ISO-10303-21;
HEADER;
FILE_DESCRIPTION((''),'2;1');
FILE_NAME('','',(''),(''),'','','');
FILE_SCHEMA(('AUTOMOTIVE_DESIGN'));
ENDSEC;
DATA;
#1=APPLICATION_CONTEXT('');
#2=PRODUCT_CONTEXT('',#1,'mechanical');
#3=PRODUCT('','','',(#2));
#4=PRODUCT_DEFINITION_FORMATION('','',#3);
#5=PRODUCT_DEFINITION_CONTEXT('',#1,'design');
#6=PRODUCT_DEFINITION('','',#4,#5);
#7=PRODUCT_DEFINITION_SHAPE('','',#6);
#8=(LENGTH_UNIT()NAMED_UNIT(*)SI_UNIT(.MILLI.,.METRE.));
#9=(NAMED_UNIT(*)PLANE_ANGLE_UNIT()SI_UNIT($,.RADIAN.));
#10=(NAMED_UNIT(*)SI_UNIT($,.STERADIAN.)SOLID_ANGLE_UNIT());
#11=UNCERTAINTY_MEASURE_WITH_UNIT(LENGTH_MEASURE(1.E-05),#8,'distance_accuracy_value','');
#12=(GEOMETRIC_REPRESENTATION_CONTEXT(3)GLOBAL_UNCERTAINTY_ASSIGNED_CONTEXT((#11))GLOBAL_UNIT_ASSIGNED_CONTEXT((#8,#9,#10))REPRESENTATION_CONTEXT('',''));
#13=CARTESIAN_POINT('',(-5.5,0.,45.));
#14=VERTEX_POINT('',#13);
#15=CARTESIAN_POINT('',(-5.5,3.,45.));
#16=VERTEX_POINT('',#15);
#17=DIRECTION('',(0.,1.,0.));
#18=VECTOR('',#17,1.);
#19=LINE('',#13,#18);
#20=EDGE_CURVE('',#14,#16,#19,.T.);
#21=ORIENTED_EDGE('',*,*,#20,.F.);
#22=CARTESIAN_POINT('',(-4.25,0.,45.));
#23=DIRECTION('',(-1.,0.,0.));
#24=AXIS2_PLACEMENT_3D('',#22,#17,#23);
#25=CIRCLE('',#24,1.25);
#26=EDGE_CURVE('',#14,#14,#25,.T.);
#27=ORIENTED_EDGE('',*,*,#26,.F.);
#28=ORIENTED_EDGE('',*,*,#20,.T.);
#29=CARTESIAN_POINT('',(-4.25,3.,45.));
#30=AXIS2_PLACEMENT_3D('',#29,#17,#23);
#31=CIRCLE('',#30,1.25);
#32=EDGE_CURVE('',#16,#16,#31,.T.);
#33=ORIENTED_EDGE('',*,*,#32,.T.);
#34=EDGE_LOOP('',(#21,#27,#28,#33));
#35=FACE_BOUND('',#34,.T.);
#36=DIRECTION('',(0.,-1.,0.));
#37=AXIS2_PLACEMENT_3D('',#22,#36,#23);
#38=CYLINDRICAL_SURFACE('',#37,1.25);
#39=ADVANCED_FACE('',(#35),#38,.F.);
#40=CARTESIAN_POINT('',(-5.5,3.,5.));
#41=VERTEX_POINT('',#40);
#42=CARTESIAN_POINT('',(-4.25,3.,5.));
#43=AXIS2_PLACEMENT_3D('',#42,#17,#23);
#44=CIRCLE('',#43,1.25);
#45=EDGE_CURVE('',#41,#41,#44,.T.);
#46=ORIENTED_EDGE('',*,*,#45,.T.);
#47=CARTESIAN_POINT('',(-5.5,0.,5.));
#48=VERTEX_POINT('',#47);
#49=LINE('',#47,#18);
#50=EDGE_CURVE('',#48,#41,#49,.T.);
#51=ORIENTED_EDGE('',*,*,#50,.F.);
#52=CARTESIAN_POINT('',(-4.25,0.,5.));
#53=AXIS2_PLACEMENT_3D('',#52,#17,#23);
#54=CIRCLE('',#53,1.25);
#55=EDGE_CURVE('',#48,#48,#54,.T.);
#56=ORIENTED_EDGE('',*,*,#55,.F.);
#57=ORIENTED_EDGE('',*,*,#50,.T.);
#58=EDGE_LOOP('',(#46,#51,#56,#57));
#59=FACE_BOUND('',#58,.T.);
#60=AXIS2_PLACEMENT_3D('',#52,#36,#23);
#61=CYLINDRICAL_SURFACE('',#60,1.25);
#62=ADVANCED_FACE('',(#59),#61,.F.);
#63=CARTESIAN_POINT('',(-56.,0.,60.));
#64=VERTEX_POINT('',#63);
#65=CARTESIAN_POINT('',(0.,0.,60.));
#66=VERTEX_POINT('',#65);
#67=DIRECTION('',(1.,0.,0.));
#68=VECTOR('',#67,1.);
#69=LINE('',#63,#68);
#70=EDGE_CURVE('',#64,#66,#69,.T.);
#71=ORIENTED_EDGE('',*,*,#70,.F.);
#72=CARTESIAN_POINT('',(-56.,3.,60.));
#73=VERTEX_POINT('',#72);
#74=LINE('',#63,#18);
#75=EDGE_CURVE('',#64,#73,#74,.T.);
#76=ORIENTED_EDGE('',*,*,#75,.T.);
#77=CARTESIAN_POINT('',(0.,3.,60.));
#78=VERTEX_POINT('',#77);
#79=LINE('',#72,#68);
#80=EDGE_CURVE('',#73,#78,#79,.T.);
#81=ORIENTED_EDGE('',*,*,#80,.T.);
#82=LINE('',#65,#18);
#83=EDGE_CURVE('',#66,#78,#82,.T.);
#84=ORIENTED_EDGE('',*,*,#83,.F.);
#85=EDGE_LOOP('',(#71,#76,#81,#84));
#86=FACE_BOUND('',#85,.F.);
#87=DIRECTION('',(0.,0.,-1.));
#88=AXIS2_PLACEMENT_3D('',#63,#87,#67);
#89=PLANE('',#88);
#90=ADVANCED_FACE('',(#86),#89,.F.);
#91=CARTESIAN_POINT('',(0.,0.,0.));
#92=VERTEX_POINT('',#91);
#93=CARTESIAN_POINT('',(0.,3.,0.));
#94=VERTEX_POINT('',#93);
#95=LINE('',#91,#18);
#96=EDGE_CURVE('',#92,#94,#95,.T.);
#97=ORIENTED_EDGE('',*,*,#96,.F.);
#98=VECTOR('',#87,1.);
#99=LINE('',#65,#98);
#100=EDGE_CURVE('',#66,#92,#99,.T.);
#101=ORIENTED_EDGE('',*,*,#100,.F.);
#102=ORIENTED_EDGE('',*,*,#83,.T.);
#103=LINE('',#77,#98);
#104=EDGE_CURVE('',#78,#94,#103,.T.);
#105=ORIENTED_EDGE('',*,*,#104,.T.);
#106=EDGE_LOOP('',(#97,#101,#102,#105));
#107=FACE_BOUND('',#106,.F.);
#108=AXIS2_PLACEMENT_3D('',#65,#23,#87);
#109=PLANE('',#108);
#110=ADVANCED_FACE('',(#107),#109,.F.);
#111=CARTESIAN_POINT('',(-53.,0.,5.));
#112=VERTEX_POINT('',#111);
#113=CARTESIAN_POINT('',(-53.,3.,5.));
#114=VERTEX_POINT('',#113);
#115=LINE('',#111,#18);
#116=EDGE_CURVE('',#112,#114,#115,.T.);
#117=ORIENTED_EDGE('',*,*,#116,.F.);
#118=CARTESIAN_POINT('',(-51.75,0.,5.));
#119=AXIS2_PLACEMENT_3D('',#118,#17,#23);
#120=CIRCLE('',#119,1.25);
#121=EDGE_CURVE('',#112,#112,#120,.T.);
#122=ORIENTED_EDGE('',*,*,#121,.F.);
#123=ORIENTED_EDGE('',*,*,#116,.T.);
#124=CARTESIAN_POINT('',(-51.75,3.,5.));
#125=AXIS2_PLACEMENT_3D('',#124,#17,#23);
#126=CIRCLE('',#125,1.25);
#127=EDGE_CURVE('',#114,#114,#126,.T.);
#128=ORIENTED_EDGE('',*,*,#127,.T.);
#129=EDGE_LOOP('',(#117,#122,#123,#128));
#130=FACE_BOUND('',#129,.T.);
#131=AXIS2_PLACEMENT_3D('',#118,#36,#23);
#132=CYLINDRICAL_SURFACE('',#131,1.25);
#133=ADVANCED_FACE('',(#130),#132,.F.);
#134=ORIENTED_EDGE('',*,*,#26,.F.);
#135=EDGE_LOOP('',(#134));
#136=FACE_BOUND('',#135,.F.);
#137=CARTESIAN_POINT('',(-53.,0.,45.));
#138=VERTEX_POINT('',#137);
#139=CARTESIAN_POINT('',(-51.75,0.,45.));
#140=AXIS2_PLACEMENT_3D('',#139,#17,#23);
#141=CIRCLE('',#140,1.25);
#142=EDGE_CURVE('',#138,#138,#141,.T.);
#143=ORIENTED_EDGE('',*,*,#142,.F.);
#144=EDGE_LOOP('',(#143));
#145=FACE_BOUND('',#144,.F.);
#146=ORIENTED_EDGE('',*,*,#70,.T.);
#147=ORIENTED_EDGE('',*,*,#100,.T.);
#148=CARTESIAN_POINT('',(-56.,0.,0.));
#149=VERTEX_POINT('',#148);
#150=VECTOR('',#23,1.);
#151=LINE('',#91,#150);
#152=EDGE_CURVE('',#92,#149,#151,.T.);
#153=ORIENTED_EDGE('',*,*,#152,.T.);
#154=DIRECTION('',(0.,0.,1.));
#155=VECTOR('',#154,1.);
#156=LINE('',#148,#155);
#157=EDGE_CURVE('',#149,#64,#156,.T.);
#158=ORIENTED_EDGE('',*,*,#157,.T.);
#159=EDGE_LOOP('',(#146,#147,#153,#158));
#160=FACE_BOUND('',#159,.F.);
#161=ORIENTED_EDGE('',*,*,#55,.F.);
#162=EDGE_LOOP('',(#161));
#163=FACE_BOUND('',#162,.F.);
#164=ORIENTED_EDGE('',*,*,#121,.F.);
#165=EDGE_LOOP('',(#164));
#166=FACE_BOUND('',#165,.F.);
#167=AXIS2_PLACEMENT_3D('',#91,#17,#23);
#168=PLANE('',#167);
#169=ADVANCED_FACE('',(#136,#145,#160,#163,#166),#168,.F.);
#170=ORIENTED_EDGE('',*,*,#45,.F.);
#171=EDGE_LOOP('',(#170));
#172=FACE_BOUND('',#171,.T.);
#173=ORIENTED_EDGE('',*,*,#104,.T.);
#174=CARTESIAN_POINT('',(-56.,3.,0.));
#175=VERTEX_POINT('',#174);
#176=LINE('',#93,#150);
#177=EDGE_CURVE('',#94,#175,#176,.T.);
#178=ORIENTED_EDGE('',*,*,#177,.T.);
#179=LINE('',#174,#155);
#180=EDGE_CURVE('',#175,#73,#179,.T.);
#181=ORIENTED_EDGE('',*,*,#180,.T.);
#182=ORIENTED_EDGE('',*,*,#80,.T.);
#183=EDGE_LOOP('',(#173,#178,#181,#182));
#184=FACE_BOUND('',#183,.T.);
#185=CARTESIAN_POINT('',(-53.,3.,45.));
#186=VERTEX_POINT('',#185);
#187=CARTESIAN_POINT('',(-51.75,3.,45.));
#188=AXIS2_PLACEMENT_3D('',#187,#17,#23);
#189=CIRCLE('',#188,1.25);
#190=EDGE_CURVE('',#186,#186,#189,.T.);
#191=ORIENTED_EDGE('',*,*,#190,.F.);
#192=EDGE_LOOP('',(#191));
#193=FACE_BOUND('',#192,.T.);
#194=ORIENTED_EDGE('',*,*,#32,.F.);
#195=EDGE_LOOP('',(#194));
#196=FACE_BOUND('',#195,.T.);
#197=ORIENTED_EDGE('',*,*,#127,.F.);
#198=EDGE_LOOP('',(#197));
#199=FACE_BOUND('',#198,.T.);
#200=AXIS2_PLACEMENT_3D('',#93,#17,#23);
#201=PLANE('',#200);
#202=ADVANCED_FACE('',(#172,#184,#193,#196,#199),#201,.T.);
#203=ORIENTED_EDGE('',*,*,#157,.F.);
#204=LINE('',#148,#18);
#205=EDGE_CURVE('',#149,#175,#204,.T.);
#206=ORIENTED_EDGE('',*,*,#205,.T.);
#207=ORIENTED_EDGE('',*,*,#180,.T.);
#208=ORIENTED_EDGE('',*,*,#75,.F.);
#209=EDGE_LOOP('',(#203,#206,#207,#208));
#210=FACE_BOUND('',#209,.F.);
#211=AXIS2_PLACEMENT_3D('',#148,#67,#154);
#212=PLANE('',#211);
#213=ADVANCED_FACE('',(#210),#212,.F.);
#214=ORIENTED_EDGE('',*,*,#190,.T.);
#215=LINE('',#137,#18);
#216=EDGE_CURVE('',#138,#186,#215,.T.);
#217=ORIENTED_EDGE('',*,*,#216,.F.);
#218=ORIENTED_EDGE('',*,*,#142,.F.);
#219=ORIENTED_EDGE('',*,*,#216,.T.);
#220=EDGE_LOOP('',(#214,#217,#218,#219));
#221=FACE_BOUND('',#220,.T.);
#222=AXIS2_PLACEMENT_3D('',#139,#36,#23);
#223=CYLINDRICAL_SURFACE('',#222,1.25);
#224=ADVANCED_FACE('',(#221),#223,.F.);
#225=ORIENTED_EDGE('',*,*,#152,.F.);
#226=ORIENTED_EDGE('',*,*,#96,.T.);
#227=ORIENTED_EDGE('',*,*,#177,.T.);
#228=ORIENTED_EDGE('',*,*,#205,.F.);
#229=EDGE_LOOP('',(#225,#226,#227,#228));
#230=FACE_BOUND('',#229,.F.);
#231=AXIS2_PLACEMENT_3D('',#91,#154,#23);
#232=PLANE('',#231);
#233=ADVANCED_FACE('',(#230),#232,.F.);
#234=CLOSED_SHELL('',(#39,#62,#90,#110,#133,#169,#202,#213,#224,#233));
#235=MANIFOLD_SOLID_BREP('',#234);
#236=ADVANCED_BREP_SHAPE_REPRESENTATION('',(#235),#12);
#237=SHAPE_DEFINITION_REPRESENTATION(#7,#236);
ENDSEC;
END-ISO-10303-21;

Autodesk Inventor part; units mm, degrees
ref_plane "YZ Plane" through (0, 0, 0) normal (1, 0, 0) x (0, 1, 0)
ref_plane "XZ Plane" through (0, 0, 0) normal (0, 1, 0) x (-1, 0, 0)
ref_plane "XY Plane" through (0, 0, 0) normal (0, 0, 1) x (1, 0, 0)
sketch "Sketch1" plane through (0, 0, 0) normal (0, 1, 0) x (-1, 0, 0)
  line L0 (0, 0) -> (56, 0)
  line L1 (56, 0) -> (56, 60)
  line L2 (56, 60) -> (0, 60)
  line L3 (0, 60) -> (0, 0)
  circle A0 centre (4.25, 5) radius 1.25
  circle A1 centre (4.25, 45) radius 1.25
  line L4 (28, 60) -> (28, 0) construction
  circle A2 centre (51.75, 5) radius 1.25
  circle A3 centre (51.75, 45) radius 1.25
  dimension "d0" = 56
  dimension "d1" = 60
  dimension "d4" = 2.5
  dimension "d5" = 4.25
  dimension "d6" = 5
  dimension "d7" = 2.5
  dimension "d8" = 4.25
  dimension "d9" = 40
extrude "Extrusion1" add sketch "Sketch1" along normal blind 3
properties part number "wall-front-outer-scaled"
